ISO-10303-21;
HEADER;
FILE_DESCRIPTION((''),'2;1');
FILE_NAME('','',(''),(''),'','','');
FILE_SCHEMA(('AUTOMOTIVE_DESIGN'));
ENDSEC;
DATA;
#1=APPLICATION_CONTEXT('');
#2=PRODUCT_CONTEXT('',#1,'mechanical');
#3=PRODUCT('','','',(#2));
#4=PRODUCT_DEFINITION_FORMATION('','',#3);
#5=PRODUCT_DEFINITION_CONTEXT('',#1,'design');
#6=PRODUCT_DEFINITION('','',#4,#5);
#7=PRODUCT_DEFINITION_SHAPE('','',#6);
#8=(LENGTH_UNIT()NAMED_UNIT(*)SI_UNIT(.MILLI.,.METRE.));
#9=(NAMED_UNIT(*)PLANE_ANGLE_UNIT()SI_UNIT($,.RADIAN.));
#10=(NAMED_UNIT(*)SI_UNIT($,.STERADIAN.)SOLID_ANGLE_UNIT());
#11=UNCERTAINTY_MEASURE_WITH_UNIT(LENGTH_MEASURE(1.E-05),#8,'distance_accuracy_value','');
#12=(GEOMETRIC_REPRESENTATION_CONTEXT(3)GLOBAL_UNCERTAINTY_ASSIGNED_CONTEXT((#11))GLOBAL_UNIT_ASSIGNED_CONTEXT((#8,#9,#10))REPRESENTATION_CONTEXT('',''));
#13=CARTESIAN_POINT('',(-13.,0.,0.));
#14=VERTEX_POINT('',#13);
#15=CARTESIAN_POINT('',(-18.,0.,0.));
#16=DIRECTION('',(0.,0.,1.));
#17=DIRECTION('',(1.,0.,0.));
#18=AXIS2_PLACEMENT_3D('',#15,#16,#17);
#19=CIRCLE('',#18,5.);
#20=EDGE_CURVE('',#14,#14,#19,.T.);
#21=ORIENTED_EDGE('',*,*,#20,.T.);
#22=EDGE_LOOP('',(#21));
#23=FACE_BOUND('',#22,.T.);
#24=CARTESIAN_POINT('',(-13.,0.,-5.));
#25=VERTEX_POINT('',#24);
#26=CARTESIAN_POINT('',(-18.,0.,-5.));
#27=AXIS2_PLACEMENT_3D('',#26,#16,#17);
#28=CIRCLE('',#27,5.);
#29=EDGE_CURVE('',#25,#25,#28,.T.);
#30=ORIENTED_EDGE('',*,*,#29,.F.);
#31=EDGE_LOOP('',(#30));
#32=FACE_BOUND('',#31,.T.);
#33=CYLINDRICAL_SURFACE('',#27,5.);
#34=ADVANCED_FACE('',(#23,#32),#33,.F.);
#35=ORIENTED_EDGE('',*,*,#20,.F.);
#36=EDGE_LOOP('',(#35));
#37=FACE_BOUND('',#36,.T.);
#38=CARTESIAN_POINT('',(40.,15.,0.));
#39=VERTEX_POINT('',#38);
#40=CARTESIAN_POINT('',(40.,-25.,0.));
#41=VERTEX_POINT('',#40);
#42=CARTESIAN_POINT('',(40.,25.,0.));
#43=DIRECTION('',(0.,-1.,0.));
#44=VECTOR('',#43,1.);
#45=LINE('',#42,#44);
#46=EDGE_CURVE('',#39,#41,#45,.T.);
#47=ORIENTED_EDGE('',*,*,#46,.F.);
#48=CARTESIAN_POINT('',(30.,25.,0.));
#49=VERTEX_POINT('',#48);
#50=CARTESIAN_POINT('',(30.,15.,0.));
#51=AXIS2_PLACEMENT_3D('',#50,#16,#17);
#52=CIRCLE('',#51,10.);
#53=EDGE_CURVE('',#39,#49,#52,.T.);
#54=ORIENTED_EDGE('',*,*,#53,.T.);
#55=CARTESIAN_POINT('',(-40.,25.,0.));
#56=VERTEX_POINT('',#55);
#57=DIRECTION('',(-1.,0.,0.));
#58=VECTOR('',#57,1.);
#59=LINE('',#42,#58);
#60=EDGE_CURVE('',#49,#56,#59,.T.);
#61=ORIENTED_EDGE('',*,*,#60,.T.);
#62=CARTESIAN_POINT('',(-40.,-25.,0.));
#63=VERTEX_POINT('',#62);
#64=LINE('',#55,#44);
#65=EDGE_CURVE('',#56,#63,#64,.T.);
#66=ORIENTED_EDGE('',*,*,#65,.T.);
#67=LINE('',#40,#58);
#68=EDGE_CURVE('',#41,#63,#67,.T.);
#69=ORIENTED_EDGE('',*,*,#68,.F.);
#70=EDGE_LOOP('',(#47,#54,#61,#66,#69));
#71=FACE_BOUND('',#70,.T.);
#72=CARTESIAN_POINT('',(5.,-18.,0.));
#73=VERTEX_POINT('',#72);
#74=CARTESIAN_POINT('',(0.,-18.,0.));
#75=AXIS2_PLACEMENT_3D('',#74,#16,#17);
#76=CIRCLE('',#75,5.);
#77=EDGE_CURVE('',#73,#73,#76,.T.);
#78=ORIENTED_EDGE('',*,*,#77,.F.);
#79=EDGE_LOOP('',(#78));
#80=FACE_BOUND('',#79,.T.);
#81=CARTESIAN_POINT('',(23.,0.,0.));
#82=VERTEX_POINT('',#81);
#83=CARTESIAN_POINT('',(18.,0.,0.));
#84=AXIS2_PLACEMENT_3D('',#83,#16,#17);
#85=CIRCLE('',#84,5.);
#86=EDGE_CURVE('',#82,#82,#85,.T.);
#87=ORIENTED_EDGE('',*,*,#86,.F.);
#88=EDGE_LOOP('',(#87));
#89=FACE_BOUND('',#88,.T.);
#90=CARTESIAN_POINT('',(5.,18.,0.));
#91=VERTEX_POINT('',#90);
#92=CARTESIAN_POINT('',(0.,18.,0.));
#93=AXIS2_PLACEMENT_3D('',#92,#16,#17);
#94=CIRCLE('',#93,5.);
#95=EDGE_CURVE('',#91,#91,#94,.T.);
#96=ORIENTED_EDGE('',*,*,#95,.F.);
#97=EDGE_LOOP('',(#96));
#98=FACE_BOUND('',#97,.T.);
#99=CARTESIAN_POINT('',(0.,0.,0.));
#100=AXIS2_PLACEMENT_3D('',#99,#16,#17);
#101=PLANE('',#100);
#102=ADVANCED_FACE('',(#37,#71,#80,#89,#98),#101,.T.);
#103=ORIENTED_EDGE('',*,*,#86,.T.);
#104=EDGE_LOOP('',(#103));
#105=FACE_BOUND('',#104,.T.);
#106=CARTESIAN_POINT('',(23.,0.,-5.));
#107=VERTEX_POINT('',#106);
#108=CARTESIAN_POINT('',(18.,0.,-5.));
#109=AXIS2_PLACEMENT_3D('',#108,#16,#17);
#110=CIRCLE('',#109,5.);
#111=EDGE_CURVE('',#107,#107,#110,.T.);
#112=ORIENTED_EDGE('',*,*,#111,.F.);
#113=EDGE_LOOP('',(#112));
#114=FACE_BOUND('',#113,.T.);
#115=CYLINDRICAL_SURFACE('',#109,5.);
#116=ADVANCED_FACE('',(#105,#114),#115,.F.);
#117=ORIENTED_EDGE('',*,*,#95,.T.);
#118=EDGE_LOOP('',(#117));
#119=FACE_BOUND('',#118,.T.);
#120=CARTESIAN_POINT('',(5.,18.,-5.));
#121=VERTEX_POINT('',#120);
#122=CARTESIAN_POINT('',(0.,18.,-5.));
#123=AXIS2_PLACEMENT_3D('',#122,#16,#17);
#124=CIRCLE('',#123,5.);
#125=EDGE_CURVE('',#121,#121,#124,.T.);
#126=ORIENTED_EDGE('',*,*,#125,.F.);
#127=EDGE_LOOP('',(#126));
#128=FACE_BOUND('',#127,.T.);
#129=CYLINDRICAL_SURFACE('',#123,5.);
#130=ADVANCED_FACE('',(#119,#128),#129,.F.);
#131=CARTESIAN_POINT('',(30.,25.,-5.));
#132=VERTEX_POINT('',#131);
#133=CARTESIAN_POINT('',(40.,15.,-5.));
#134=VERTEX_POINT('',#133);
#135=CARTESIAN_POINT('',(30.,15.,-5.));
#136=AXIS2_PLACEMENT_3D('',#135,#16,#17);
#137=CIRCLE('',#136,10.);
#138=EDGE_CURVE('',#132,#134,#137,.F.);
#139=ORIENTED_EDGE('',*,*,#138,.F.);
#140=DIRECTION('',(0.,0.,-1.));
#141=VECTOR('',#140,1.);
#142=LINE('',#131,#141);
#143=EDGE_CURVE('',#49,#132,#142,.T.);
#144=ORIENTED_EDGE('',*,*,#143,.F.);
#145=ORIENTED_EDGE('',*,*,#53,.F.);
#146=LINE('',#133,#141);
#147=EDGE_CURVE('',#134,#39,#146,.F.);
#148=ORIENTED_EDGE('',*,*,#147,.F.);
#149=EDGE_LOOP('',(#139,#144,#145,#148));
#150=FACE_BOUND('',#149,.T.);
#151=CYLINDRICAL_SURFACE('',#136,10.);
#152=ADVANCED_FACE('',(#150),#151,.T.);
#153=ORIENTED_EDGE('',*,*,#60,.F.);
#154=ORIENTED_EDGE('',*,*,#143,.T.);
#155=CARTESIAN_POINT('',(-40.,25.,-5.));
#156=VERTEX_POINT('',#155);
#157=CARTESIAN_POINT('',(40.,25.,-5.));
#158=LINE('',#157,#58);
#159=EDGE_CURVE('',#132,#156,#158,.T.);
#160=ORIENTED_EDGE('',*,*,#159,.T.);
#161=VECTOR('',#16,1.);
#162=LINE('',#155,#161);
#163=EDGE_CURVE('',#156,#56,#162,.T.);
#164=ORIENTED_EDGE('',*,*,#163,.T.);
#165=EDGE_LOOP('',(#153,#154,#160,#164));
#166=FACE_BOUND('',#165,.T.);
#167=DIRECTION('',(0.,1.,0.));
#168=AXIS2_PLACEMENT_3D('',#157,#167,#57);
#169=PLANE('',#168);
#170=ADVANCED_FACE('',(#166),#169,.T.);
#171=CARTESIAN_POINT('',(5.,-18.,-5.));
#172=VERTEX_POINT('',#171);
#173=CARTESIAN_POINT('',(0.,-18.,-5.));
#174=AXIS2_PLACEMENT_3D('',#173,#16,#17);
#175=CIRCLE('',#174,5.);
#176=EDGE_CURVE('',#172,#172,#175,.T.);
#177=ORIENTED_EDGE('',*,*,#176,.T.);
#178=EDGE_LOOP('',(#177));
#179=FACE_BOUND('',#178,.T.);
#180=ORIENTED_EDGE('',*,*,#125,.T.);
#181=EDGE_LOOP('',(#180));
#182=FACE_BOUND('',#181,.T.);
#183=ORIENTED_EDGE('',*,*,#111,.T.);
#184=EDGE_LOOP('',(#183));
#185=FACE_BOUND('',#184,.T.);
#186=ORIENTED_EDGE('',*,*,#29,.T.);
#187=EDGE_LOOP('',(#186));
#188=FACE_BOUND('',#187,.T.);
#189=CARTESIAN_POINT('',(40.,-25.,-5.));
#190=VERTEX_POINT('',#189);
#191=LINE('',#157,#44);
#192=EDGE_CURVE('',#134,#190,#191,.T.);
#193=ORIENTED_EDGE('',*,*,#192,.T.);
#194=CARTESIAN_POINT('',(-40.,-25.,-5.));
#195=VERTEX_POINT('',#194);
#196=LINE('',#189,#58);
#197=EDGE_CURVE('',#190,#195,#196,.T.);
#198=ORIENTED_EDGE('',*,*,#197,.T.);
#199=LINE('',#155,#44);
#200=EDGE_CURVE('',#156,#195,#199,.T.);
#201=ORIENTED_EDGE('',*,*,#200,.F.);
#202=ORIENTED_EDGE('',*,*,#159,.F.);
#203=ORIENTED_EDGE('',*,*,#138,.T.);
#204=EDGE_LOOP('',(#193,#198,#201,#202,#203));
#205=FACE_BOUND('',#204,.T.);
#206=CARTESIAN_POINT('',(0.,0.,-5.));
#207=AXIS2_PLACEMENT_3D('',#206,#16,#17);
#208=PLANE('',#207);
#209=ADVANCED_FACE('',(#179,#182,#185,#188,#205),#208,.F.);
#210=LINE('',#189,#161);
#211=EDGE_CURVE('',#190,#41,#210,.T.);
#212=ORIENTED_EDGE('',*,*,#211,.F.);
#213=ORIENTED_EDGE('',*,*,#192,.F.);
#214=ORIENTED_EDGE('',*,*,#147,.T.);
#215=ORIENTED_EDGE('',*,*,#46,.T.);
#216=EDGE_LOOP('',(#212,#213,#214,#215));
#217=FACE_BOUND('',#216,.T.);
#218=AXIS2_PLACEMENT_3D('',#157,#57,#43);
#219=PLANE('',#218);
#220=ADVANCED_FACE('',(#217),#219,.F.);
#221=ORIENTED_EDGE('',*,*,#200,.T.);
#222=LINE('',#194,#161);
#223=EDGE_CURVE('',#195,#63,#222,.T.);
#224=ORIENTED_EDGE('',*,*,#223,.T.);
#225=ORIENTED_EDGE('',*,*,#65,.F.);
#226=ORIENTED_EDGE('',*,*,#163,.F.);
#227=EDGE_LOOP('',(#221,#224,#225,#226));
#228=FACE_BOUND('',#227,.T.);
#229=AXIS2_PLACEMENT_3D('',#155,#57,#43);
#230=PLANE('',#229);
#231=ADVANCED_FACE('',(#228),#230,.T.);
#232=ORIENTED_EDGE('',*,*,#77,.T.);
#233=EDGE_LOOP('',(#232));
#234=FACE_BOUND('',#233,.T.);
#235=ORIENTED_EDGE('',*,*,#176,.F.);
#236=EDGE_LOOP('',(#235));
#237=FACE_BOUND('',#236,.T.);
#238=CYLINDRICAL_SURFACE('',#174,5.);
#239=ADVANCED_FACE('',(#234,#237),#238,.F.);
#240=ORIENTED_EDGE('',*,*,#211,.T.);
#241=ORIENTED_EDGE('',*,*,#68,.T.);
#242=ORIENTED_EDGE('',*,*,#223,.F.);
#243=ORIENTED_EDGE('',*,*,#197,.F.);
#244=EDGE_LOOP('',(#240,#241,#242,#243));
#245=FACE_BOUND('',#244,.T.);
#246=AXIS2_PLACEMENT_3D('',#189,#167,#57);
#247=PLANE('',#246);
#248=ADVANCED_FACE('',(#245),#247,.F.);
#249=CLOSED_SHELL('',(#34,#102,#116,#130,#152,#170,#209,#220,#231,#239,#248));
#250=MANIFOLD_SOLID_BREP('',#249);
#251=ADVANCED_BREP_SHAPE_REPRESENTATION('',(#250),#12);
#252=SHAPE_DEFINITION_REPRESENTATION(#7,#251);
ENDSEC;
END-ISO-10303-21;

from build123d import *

# Parameters (mm, degrees)
SKETCH2_W           = 80
SKETCH2_H           = 50
BOSS_EXTRUDE1_DEPTH = 5
SKETCH3_R           = 5
CUT_EXTRUDE1_DEPTH  = 5
FILLET1_R           = 10


with BuildPart() as part:
    # Sketch2 → Boss-Extrude1 (new body)
    with BuildSketch(Plane.XY):
        Rectangle(SKETCH2_W, SKETCH2_H)
    extrude(amount=-BOSS_EXTRUDE1_DEPTH)

    # Sketch3 → Cut-Extrude1 (cut)
    with BuildSketch(Plane.XY):
        with Locations((-18, 0)):
            Circle(SKETCH3_R)
        with Locations((0, 18)):
            Circle(SKETCH3_R)
        with Locations((18, 0)):
            Circle(SKETCH3_R)
        with Locations((0, -18)):
            Circle(SKETCH3_R)
    extrude(amount=-CUT_EXTRUDE1_DEPTH, mode=Mode.SUBTRACT)

    # Fillet1
    fillet1_edges = [part.edges().sort_by_distance(p)[0] for p in [
        (40, 25, -2.5),
    ]]
    fillet(fillet1_edges, radius=FILLET1_R)


solid = part.part
